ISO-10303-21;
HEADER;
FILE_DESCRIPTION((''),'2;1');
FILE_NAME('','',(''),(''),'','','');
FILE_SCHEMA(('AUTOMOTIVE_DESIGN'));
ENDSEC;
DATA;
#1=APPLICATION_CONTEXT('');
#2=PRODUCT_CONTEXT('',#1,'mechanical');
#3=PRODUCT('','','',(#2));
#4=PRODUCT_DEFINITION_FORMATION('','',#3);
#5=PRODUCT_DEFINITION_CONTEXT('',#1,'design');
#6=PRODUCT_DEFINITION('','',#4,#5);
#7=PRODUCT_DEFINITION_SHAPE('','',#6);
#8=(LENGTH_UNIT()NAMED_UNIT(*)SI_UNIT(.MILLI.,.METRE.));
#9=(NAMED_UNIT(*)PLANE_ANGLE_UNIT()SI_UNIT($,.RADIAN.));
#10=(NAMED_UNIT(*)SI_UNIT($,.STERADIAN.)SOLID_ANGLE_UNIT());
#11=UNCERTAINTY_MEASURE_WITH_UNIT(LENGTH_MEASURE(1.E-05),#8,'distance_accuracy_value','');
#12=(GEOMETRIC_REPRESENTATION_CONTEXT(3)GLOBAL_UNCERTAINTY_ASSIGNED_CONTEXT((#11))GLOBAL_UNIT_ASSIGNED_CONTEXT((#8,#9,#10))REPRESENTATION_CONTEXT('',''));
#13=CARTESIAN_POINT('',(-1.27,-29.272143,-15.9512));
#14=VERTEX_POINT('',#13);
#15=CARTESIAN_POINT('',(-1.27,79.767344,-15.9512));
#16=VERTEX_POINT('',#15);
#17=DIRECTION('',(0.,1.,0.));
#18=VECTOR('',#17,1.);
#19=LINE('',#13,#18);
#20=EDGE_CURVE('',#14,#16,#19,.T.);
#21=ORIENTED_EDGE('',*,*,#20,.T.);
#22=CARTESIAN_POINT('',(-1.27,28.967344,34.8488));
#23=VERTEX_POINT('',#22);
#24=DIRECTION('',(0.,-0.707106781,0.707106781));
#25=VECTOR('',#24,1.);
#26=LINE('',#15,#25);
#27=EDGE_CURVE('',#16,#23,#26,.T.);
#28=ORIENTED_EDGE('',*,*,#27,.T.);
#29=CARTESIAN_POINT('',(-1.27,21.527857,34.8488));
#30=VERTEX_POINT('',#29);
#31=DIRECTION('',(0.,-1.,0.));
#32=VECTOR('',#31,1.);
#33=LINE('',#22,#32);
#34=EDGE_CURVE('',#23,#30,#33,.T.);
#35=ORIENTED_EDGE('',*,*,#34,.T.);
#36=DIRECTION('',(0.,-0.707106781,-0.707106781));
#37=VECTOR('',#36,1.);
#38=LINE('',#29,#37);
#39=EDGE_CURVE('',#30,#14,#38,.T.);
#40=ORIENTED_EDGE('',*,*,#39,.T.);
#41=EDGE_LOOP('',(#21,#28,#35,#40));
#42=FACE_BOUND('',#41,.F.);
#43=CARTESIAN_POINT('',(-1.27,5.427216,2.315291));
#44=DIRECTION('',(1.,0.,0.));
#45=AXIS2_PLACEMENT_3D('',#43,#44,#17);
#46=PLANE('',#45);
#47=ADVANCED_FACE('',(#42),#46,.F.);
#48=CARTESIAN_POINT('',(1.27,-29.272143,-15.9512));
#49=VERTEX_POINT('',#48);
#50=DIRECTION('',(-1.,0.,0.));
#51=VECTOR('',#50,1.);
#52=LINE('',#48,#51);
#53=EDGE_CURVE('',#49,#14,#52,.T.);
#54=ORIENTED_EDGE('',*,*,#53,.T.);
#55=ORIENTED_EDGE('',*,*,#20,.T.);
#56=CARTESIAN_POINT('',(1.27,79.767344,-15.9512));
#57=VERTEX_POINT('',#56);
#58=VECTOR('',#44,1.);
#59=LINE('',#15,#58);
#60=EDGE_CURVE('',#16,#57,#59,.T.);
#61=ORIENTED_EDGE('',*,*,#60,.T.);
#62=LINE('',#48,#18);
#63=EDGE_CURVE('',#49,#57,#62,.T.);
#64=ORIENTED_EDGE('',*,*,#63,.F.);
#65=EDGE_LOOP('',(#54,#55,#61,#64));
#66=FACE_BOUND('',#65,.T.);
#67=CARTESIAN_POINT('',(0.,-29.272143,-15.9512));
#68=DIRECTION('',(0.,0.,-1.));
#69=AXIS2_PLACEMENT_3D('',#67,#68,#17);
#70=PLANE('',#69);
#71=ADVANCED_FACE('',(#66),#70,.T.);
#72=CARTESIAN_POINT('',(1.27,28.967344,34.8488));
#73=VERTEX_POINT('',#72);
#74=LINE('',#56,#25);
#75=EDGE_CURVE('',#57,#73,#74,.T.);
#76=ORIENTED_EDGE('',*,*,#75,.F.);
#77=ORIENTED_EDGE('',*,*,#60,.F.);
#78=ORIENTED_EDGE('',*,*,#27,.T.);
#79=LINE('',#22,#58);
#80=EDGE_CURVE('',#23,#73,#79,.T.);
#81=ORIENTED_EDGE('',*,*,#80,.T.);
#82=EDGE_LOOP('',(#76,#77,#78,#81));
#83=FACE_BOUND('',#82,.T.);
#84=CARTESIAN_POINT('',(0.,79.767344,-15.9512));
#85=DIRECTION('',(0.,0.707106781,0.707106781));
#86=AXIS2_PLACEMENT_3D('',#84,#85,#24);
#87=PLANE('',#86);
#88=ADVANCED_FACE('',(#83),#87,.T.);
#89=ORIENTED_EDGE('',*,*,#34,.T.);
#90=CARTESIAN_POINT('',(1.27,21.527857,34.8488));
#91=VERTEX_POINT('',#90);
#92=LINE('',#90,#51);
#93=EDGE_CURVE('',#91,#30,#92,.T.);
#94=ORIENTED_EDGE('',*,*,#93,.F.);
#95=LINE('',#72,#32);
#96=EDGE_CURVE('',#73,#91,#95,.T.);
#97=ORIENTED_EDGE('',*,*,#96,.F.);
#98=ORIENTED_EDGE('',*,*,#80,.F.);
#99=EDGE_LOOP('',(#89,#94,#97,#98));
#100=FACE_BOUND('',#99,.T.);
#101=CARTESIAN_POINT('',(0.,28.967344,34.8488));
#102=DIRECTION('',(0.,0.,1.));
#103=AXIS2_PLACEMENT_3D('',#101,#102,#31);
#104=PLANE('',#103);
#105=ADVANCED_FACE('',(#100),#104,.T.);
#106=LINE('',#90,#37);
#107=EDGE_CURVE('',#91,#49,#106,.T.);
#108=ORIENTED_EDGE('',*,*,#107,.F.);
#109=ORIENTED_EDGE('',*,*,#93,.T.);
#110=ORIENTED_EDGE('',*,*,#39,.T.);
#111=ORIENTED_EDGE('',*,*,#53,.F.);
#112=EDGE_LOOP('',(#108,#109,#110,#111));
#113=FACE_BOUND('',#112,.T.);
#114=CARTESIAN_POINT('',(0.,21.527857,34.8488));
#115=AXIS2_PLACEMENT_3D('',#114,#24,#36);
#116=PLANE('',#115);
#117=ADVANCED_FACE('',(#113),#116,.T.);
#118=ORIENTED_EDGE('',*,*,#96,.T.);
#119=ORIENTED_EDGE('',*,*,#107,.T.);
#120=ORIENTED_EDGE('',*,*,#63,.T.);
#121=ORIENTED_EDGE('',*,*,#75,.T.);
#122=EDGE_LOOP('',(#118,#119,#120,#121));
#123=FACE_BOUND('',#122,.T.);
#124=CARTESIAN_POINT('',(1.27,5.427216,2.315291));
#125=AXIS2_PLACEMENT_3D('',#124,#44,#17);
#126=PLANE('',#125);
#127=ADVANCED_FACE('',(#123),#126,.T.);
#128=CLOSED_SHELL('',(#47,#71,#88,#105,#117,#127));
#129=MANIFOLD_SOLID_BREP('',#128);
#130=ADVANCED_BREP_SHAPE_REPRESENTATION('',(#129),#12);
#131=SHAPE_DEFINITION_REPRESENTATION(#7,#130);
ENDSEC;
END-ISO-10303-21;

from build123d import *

# Parameters (mm, degrees)
F1_DEPTH = 1.27


with BuildPart() as f1:
    # F0 (on Right) → F1 (new body, symmetric)
    with BuildSketch(Plane.YZ):
        Polygon((17.037729, 30.358672), (-29.272143, -15.9512), (25.2476, -15.9512), (25.2476, 34.8488), (21.527857, 34.8488), align=None)
        Polygon((25.2476, 34.8488), (25.2476, -15.9512), (79.767344, -15.9512), (33.457472, 30.358672), (28.967344, 34.8488), align=None)
    extrude(amount=F1_DEPTH, both=True)


solid = f1.part
